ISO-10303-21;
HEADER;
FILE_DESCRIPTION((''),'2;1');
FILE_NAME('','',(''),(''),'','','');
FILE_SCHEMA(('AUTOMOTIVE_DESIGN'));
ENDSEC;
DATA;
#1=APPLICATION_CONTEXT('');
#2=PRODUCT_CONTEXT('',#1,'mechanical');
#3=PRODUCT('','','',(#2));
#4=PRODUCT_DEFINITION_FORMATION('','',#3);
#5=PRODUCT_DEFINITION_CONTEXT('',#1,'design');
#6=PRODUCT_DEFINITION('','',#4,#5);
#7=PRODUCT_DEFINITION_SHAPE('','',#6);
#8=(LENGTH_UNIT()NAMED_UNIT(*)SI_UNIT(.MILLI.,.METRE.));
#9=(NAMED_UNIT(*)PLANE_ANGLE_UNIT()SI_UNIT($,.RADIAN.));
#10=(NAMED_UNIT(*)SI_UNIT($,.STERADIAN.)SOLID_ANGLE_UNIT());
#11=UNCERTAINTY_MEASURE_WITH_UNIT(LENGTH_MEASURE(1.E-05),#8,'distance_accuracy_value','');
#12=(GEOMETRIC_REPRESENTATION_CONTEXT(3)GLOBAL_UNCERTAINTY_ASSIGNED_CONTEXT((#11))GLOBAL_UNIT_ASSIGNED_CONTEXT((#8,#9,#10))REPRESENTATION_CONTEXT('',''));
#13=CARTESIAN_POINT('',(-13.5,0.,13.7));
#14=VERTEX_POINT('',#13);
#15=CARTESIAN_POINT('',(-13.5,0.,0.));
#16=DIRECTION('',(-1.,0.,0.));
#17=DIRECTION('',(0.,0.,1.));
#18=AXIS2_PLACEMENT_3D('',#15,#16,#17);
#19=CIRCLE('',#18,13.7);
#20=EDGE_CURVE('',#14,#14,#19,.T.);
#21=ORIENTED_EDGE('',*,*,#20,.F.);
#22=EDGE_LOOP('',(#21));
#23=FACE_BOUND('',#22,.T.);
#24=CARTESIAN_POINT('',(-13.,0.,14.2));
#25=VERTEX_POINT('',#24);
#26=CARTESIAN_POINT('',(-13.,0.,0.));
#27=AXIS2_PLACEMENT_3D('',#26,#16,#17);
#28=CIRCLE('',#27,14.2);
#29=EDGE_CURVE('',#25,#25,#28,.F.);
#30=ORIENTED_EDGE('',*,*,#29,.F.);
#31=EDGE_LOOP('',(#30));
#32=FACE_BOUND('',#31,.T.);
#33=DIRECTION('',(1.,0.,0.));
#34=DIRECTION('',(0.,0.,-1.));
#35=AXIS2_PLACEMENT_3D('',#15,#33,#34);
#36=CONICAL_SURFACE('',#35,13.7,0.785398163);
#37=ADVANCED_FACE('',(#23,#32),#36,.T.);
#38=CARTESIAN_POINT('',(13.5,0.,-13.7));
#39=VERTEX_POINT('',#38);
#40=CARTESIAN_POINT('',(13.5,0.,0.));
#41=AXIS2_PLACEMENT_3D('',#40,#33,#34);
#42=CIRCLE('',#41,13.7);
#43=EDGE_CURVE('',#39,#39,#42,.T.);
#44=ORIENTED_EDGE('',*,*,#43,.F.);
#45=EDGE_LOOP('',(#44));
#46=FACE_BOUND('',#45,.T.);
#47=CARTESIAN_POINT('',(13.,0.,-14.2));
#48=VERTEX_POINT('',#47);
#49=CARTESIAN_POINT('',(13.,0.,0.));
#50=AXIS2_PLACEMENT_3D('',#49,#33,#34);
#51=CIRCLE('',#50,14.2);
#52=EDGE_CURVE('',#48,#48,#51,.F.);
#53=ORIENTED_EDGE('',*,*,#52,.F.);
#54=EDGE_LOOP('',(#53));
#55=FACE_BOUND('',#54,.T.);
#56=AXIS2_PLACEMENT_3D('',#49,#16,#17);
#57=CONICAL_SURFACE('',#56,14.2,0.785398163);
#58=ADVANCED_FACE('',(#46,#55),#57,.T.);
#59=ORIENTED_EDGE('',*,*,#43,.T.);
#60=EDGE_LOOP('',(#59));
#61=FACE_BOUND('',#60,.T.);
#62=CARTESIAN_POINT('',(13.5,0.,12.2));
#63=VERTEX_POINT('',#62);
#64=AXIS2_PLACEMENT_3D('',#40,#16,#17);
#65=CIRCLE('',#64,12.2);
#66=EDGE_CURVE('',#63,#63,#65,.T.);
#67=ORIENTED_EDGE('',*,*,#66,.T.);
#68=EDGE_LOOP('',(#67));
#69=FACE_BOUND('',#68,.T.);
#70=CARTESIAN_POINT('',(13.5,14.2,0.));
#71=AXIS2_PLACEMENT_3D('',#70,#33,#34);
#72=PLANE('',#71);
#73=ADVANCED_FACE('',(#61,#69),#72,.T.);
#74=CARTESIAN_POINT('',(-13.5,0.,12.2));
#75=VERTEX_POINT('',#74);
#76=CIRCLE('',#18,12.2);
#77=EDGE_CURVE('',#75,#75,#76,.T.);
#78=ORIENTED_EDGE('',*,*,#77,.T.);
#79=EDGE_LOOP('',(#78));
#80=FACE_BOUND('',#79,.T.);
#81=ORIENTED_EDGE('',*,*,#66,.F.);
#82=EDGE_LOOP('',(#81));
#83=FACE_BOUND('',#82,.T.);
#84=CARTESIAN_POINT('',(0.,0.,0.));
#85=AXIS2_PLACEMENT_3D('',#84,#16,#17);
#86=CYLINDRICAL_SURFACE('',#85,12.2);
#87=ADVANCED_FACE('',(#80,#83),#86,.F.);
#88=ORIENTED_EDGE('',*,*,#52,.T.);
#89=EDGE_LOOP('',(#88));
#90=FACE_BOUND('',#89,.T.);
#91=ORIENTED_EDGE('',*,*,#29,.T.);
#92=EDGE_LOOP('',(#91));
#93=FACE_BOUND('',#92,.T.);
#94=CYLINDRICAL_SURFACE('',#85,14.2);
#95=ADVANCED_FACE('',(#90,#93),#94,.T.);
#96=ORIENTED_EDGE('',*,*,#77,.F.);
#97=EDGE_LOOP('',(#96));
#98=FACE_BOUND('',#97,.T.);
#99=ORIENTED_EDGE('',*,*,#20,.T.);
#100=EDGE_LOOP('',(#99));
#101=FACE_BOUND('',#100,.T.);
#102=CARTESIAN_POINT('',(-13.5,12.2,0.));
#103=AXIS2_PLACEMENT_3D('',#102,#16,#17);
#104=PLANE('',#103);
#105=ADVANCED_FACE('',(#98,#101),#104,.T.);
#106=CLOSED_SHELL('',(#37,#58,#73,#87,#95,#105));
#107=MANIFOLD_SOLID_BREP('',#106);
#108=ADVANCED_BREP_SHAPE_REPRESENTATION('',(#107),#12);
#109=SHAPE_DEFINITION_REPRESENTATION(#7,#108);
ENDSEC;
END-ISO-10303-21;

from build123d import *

# Parameters (mm, degrees)
ESQUISSE1_W     = 27
ESQUISSE1_H     = 2
CHANFREIN1_SIZE = 0.5


with BuildPart() as part:
    # Esquisse1 → Base-Révol.-Mince (revolve)
    with BuildSketch(Plane.XY, mode=Mode.PRIVATE) as base_r_vol_mince_sk:
        with Locations((0, 13.2)):
            Rectangle(ESQUISSE1_W, ESQUISSE1_H)
    revolve(base_r_vol_mince_sk.sketch.rotate(Axis((0, 0, 0), (1, 0, 0)), 90), axis=Axis((0, 0, 0), (1, 0, 0)))

    # Chanfrein1
    chanfrein1_edges = [part.edges().sort_by_distance(p)[0] for p in [
        (-13.5, 0, -14.2),
        (13.5, 0, -14.2),
    ]]
    chamfer(chanfrein1_edges, length=CHANFREIN1_SIZE)


solid = part.part
